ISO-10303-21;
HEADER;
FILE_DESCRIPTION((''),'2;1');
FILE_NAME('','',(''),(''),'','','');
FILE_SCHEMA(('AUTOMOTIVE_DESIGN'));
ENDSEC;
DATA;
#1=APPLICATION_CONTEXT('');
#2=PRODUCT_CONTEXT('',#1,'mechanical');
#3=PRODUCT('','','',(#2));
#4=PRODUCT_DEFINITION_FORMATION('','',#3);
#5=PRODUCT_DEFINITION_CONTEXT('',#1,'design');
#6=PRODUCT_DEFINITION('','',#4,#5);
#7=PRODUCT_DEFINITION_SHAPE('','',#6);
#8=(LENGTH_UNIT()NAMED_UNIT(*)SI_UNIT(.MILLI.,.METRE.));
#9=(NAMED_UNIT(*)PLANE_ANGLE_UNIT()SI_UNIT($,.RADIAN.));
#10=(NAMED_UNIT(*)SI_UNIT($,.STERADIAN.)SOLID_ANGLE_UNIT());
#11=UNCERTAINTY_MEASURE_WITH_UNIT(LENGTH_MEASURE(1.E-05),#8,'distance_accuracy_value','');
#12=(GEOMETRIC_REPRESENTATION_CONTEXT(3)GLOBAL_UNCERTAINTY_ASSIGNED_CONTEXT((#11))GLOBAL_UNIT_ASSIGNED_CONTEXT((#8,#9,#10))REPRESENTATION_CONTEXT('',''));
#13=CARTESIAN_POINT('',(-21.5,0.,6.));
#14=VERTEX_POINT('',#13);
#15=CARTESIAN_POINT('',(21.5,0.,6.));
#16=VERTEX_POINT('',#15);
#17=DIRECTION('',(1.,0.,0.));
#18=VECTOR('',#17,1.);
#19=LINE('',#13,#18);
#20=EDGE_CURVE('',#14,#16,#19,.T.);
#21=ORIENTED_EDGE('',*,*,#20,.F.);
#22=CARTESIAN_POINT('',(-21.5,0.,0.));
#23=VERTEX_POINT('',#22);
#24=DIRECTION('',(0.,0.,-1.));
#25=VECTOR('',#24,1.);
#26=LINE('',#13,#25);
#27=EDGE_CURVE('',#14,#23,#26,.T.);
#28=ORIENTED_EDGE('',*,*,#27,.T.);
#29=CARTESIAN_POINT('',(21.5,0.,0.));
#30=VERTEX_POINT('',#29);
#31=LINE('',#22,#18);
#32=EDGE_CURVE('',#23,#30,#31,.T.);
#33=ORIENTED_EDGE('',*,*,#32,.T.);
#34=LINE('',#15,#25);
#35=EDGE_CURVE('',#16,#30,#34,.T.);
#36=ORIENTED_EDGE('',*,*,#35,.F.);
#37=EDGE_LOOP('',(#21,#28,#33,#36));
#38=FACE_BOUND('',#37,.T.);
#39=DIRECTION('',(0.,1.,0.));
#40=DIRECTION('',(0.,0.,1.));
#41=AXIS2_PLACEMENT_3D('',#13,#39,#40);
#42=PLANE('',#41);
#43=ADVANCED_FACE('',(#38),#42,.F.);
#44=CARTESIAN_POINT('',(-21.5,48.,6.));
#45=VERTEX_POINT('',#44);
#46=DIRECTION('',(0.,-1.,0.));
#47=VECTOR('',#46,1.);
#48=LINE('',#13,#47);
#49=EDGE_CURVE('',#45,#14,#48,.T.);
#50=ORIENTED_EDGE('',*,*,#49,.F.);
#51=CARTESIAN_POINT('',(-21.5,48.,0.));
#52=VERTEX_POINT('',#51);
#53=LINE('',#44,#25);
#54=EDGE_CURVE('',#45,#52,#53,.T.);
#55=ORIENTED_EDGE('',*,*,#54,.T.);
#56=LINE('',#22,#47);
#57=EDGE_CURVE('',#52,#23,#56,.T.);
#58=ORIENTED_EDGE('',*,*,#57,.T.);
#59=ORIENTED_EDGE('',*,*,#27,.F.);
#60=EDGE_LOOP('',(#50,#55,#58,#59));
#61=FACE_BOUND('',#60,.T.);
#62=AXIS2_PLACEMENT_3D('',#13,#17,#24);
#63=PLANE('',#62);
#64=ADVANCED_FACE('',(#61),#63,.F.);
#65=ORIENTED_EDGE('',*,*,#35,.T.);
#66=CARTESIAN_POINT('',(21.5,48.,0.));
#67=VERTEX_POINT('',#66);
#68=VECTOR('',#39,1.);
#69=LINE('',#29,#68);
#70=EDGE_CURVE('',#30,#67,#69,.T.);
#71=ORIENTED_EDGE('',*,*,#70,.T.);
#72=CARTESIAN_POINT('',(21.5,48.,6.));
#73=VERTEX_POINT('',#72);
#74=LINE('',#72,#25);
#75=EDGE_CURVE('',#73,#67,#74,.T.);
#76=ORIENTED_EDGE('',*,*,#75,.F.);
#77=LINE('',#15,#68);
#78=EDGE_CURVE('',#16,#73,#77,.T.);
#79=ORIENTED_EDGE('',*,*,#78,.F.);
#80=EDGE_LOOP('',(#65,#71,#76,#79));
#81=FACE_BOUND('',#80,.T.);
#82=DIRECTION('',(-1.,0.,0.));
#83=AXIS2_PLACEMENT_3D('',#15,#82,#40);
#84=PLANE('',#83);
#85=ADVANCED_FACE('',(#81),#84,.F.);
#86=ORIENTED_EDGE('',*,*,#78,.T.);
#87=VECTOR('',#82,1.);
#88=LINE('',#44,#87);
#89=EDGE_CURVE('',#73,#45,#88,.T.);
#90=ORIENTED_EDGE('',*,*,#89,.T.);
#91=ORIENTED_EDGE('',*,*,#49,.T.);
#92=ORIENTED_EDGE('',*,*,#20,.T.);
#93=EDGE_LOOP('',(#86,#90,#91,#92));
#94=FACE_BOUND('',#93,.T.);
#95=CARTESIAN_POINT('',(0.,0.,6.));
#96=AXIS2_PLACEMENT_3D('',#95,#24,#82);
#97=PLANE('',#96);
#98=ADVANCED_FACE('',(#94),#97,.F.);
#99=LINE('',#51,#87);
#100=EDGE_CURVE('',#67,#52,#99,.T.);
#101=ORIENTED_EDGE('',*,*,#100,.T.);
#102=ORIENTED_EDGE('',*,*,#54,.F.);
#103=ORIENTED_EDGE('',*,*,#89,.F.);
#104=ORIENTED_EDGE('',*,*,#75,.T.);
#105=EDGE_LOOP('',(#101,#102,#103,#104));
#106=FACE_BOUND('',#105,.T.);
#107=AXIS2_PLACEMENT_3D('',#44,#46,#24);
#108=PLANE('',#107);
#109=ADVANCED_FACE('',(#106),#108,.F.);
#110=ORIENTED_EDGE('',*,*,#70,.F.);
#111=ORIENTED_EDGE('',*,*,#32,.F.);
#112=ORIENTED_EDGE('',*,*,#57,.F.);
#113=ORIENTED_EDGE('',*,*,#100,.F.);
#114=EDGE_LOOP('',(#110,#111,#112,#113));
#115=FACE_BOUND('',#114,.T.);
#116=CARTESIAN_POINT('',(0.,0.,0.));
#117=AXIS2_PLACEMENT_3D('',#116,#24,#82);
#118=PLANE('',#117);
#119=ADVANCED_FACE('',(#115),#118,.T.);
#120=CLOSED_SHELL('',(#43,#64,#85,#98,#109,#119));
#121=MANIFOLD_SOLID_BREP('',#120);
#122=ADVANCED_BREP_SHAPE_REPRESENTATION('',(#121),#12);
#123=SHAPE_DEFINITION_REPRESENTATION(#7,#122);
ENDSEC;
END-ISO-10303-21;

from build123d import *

# Parameters (mm, degrees)
SKETCH_1_W      = 43
SKETCH_1_H      = 48
EXTRUDE_1_DEPTH = 6


with BuildPart() as part:
    # Эскиз1 → Бобышка-Вытянуть1 (new body)
    with BuildSketch(Plane.XY):
        with Locations((0, 24)):
            Rectangle(SKETCH_1_W, SKETCH_1_H)
    extrude(amount=EXTRUDE_1_DEPTH)


solid = part.part
